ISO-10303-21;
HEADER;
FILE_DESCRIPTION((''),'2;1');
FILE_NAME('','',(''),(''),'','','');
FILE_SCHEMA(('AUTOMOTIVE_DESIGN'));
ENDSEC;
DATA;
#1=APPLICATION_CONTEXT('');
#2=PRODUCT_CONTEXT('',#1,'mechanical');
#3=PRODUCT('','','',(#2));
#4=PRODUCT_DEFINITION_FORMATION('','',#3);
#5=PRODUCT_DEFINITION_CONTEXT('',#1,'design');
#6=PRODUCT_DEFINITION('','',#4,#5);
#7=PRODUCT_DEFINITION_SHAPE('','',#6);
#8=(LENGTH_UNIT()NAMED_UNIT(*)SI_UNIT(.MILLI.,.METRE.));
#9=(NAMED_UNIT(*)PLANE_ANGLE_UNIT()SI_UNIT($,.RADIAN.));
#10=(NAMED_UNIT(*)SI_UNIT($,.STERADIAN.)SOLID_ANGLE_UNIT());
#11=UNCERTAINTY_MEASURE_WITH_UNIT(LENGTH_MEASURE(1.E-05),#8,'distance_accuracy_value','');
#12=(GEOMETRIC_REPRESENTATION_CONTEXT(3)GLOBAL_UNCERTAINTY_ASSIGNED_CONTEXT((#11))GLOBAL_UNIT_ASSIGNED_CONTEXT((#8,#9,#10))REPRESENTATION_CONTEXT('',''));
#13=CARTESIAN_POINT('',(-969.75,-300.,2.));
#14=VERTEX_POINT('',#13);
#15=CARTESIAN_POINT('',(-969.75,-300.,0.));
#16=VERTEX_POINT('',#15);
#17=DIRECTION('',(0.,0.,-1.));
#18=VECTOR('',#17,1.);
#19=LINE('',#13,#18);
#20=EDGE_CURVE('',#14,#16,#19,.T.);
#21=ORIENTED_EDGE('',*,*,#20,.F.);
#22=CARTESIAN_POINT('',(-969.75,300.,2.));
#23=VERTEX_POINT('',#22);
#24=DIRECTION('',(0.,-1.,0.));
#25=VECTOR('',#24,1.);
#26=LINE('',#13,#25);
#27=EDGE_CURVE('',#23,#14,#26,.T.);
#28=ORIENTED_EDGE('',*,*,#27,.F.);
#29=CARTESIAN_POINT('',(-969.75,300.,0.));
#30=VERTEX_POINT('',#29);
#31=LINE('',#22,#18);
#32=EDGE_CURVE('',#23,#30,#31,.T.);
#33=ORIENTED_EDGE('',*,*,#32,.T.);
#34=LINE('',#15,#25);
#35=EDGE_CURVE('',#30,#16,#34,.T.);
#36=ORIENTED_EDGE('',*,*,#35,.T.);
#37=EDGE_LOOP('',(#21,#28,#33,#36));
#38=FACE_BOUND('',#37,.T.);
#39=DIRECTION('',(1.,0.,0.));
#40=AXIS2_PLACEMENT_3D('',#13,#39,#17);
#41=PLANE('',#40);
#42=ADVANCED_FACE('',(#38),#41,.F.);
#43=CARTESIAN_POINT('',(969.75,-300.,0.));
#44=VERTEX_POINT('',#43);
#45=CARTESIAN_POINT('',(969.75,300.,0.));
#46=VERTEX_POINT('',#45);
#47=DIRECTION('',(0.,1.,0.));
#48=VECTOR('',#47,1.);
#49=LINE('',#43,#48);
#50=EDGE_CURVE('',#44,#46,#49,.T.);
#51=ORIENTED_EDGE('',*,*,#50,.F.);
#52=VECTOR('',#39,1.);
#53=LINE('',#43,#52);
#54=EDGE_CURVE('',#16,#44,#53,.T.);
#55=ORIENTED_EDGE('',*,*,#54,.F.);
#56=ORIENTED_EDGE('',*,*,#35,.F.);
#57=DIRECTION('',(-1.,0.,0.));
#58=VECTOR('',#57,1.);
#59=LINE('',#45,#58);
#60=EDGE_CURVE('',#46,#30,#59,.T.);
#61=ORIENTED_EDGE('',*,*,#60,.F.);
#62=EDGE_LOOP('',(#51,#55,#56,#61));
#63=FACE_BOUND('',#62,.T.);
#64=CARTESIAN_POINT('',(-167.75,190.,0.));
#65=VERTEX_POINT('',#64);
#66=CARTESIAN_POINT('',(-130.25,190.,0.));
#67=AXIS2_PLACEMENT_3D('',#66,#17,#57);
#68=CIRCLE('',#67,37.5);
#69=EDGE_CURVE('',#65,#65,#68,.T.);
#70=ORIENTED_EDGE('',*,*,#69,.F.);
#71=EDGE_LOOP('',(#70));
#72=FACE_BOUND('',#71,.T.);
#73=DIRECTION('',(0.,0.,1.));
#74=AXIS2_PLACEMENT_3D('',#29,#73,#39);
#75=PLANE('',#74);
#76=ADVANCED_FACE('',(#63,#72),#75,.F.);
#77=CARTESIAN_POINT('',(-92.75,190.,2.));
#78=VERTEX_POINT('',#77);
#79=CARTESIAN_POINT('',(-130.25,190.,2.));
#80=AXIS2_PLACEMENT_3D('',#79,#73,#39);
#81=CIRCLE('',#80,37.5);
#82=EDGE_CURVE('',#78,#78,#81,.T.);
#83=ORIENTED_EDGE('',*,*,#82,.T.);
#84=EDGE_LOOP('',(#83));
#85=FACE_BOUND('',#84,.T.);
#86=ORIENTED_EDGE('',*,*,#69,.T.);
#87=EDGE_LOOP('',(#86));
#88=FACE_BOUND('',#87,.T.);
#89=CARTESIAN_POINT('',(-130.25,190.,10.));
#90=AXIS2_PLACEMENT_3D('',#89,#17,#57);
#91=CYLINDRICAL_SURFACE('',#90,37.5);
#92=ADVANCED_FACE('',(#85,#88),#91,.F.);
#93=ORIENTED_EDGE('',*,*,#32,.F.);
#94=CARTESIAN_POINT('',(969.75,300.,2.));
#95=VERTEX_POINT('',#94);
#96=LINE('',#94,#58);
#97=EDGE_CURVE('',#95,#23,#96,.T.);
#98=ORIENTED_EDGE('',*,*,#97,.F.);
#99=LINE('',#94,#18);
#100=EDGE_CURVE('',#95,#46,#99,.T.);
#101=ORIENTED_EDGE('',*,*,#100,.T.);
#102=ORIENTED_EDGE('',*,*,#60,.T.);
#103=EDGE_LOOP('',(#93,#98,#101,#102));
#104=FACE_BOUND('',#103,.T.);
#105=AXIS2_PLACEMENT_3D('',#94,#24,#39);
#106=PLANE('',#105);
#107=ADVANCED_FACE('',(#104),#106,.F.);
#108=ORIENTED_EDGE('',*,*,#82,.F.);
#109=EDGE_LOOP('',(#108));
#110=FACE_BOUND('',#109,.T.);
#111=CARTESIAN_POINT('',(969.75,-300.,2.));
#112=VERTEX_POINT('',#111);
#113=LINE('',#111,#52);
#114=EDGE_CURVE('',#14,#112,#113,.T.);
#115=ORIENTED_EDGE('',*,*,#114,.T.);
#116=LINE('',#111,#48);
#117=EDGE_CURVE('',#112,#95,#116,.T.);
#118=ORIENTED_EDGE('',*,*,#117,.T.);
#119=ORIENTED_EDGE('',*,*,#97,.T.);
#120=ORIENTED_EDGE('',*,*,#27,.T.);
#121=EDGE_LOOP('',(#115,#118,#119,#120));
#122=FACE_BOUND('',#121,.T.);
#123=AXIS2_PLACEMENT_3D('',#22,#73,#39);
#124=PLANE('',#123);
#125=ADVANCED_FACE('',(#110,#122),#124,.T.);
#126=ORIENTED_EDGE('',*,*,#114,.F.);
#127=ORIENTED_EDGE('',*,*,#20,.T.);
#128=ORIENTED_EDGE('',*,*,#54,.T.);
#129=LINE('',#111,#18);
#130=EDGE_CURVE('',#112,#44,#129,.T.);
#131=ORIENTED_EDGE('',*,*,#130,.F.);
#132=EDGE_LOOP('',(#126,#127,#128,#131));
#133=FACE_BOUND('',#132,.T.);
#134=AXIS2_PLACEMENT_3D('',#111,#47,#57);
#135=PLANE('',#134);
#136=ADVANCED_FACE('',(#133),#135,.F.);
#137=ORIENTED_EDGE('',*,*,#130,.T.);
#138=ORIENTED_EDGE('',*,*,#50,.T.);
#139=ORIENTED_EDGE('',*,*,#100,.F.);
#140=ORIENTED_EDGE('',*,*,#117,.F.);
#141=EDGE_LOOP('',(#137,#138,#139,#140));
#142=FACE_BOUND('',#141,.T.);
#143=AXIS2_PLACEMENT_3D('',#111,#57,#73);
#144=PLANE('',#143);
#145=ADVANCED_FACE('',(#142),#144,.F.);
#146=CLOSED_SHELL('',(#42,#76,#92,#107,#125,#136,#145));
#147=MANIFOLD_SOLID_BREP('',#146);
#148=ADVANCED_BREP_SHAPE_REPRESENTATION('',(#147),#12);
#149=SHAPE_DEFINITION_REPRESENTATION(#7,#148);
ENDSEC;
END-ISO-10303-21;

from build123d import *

# Parameters (mm, degrees)
CROQUIS1_W            = 1939.5
CROQUIS1_H            = 600
EXTRUIR1_DEPTH        = 2
CROQUIS2_R            = 37.5
CORTAR_EXTRUIR1_DEPTH = 10


with BuildPart() as part:
    # Croquis1 → Extruir1 (new body)
    with BuildSketch(Plane.XY):
        Rectangle(CROQUIS1_W, CROQUIS1_H)
    extrude(amount=EXTRUIR1_DEPTH)

    # Croquis2 → Cortar-Extruir1 (cut)
    with BuildSketch(Plane(origin=(0, 0, 0), x_dir=(-1, 0, 0), z_dir=(0, 0, -1))):
        with Locations((130.25, 190)):
            Circle(CROQUIS2_R)
    extrude(amount=-CORTAR_EXTRUIR1_DEPTH, mode=Mode.SUBTRACT)


solid = part.part
